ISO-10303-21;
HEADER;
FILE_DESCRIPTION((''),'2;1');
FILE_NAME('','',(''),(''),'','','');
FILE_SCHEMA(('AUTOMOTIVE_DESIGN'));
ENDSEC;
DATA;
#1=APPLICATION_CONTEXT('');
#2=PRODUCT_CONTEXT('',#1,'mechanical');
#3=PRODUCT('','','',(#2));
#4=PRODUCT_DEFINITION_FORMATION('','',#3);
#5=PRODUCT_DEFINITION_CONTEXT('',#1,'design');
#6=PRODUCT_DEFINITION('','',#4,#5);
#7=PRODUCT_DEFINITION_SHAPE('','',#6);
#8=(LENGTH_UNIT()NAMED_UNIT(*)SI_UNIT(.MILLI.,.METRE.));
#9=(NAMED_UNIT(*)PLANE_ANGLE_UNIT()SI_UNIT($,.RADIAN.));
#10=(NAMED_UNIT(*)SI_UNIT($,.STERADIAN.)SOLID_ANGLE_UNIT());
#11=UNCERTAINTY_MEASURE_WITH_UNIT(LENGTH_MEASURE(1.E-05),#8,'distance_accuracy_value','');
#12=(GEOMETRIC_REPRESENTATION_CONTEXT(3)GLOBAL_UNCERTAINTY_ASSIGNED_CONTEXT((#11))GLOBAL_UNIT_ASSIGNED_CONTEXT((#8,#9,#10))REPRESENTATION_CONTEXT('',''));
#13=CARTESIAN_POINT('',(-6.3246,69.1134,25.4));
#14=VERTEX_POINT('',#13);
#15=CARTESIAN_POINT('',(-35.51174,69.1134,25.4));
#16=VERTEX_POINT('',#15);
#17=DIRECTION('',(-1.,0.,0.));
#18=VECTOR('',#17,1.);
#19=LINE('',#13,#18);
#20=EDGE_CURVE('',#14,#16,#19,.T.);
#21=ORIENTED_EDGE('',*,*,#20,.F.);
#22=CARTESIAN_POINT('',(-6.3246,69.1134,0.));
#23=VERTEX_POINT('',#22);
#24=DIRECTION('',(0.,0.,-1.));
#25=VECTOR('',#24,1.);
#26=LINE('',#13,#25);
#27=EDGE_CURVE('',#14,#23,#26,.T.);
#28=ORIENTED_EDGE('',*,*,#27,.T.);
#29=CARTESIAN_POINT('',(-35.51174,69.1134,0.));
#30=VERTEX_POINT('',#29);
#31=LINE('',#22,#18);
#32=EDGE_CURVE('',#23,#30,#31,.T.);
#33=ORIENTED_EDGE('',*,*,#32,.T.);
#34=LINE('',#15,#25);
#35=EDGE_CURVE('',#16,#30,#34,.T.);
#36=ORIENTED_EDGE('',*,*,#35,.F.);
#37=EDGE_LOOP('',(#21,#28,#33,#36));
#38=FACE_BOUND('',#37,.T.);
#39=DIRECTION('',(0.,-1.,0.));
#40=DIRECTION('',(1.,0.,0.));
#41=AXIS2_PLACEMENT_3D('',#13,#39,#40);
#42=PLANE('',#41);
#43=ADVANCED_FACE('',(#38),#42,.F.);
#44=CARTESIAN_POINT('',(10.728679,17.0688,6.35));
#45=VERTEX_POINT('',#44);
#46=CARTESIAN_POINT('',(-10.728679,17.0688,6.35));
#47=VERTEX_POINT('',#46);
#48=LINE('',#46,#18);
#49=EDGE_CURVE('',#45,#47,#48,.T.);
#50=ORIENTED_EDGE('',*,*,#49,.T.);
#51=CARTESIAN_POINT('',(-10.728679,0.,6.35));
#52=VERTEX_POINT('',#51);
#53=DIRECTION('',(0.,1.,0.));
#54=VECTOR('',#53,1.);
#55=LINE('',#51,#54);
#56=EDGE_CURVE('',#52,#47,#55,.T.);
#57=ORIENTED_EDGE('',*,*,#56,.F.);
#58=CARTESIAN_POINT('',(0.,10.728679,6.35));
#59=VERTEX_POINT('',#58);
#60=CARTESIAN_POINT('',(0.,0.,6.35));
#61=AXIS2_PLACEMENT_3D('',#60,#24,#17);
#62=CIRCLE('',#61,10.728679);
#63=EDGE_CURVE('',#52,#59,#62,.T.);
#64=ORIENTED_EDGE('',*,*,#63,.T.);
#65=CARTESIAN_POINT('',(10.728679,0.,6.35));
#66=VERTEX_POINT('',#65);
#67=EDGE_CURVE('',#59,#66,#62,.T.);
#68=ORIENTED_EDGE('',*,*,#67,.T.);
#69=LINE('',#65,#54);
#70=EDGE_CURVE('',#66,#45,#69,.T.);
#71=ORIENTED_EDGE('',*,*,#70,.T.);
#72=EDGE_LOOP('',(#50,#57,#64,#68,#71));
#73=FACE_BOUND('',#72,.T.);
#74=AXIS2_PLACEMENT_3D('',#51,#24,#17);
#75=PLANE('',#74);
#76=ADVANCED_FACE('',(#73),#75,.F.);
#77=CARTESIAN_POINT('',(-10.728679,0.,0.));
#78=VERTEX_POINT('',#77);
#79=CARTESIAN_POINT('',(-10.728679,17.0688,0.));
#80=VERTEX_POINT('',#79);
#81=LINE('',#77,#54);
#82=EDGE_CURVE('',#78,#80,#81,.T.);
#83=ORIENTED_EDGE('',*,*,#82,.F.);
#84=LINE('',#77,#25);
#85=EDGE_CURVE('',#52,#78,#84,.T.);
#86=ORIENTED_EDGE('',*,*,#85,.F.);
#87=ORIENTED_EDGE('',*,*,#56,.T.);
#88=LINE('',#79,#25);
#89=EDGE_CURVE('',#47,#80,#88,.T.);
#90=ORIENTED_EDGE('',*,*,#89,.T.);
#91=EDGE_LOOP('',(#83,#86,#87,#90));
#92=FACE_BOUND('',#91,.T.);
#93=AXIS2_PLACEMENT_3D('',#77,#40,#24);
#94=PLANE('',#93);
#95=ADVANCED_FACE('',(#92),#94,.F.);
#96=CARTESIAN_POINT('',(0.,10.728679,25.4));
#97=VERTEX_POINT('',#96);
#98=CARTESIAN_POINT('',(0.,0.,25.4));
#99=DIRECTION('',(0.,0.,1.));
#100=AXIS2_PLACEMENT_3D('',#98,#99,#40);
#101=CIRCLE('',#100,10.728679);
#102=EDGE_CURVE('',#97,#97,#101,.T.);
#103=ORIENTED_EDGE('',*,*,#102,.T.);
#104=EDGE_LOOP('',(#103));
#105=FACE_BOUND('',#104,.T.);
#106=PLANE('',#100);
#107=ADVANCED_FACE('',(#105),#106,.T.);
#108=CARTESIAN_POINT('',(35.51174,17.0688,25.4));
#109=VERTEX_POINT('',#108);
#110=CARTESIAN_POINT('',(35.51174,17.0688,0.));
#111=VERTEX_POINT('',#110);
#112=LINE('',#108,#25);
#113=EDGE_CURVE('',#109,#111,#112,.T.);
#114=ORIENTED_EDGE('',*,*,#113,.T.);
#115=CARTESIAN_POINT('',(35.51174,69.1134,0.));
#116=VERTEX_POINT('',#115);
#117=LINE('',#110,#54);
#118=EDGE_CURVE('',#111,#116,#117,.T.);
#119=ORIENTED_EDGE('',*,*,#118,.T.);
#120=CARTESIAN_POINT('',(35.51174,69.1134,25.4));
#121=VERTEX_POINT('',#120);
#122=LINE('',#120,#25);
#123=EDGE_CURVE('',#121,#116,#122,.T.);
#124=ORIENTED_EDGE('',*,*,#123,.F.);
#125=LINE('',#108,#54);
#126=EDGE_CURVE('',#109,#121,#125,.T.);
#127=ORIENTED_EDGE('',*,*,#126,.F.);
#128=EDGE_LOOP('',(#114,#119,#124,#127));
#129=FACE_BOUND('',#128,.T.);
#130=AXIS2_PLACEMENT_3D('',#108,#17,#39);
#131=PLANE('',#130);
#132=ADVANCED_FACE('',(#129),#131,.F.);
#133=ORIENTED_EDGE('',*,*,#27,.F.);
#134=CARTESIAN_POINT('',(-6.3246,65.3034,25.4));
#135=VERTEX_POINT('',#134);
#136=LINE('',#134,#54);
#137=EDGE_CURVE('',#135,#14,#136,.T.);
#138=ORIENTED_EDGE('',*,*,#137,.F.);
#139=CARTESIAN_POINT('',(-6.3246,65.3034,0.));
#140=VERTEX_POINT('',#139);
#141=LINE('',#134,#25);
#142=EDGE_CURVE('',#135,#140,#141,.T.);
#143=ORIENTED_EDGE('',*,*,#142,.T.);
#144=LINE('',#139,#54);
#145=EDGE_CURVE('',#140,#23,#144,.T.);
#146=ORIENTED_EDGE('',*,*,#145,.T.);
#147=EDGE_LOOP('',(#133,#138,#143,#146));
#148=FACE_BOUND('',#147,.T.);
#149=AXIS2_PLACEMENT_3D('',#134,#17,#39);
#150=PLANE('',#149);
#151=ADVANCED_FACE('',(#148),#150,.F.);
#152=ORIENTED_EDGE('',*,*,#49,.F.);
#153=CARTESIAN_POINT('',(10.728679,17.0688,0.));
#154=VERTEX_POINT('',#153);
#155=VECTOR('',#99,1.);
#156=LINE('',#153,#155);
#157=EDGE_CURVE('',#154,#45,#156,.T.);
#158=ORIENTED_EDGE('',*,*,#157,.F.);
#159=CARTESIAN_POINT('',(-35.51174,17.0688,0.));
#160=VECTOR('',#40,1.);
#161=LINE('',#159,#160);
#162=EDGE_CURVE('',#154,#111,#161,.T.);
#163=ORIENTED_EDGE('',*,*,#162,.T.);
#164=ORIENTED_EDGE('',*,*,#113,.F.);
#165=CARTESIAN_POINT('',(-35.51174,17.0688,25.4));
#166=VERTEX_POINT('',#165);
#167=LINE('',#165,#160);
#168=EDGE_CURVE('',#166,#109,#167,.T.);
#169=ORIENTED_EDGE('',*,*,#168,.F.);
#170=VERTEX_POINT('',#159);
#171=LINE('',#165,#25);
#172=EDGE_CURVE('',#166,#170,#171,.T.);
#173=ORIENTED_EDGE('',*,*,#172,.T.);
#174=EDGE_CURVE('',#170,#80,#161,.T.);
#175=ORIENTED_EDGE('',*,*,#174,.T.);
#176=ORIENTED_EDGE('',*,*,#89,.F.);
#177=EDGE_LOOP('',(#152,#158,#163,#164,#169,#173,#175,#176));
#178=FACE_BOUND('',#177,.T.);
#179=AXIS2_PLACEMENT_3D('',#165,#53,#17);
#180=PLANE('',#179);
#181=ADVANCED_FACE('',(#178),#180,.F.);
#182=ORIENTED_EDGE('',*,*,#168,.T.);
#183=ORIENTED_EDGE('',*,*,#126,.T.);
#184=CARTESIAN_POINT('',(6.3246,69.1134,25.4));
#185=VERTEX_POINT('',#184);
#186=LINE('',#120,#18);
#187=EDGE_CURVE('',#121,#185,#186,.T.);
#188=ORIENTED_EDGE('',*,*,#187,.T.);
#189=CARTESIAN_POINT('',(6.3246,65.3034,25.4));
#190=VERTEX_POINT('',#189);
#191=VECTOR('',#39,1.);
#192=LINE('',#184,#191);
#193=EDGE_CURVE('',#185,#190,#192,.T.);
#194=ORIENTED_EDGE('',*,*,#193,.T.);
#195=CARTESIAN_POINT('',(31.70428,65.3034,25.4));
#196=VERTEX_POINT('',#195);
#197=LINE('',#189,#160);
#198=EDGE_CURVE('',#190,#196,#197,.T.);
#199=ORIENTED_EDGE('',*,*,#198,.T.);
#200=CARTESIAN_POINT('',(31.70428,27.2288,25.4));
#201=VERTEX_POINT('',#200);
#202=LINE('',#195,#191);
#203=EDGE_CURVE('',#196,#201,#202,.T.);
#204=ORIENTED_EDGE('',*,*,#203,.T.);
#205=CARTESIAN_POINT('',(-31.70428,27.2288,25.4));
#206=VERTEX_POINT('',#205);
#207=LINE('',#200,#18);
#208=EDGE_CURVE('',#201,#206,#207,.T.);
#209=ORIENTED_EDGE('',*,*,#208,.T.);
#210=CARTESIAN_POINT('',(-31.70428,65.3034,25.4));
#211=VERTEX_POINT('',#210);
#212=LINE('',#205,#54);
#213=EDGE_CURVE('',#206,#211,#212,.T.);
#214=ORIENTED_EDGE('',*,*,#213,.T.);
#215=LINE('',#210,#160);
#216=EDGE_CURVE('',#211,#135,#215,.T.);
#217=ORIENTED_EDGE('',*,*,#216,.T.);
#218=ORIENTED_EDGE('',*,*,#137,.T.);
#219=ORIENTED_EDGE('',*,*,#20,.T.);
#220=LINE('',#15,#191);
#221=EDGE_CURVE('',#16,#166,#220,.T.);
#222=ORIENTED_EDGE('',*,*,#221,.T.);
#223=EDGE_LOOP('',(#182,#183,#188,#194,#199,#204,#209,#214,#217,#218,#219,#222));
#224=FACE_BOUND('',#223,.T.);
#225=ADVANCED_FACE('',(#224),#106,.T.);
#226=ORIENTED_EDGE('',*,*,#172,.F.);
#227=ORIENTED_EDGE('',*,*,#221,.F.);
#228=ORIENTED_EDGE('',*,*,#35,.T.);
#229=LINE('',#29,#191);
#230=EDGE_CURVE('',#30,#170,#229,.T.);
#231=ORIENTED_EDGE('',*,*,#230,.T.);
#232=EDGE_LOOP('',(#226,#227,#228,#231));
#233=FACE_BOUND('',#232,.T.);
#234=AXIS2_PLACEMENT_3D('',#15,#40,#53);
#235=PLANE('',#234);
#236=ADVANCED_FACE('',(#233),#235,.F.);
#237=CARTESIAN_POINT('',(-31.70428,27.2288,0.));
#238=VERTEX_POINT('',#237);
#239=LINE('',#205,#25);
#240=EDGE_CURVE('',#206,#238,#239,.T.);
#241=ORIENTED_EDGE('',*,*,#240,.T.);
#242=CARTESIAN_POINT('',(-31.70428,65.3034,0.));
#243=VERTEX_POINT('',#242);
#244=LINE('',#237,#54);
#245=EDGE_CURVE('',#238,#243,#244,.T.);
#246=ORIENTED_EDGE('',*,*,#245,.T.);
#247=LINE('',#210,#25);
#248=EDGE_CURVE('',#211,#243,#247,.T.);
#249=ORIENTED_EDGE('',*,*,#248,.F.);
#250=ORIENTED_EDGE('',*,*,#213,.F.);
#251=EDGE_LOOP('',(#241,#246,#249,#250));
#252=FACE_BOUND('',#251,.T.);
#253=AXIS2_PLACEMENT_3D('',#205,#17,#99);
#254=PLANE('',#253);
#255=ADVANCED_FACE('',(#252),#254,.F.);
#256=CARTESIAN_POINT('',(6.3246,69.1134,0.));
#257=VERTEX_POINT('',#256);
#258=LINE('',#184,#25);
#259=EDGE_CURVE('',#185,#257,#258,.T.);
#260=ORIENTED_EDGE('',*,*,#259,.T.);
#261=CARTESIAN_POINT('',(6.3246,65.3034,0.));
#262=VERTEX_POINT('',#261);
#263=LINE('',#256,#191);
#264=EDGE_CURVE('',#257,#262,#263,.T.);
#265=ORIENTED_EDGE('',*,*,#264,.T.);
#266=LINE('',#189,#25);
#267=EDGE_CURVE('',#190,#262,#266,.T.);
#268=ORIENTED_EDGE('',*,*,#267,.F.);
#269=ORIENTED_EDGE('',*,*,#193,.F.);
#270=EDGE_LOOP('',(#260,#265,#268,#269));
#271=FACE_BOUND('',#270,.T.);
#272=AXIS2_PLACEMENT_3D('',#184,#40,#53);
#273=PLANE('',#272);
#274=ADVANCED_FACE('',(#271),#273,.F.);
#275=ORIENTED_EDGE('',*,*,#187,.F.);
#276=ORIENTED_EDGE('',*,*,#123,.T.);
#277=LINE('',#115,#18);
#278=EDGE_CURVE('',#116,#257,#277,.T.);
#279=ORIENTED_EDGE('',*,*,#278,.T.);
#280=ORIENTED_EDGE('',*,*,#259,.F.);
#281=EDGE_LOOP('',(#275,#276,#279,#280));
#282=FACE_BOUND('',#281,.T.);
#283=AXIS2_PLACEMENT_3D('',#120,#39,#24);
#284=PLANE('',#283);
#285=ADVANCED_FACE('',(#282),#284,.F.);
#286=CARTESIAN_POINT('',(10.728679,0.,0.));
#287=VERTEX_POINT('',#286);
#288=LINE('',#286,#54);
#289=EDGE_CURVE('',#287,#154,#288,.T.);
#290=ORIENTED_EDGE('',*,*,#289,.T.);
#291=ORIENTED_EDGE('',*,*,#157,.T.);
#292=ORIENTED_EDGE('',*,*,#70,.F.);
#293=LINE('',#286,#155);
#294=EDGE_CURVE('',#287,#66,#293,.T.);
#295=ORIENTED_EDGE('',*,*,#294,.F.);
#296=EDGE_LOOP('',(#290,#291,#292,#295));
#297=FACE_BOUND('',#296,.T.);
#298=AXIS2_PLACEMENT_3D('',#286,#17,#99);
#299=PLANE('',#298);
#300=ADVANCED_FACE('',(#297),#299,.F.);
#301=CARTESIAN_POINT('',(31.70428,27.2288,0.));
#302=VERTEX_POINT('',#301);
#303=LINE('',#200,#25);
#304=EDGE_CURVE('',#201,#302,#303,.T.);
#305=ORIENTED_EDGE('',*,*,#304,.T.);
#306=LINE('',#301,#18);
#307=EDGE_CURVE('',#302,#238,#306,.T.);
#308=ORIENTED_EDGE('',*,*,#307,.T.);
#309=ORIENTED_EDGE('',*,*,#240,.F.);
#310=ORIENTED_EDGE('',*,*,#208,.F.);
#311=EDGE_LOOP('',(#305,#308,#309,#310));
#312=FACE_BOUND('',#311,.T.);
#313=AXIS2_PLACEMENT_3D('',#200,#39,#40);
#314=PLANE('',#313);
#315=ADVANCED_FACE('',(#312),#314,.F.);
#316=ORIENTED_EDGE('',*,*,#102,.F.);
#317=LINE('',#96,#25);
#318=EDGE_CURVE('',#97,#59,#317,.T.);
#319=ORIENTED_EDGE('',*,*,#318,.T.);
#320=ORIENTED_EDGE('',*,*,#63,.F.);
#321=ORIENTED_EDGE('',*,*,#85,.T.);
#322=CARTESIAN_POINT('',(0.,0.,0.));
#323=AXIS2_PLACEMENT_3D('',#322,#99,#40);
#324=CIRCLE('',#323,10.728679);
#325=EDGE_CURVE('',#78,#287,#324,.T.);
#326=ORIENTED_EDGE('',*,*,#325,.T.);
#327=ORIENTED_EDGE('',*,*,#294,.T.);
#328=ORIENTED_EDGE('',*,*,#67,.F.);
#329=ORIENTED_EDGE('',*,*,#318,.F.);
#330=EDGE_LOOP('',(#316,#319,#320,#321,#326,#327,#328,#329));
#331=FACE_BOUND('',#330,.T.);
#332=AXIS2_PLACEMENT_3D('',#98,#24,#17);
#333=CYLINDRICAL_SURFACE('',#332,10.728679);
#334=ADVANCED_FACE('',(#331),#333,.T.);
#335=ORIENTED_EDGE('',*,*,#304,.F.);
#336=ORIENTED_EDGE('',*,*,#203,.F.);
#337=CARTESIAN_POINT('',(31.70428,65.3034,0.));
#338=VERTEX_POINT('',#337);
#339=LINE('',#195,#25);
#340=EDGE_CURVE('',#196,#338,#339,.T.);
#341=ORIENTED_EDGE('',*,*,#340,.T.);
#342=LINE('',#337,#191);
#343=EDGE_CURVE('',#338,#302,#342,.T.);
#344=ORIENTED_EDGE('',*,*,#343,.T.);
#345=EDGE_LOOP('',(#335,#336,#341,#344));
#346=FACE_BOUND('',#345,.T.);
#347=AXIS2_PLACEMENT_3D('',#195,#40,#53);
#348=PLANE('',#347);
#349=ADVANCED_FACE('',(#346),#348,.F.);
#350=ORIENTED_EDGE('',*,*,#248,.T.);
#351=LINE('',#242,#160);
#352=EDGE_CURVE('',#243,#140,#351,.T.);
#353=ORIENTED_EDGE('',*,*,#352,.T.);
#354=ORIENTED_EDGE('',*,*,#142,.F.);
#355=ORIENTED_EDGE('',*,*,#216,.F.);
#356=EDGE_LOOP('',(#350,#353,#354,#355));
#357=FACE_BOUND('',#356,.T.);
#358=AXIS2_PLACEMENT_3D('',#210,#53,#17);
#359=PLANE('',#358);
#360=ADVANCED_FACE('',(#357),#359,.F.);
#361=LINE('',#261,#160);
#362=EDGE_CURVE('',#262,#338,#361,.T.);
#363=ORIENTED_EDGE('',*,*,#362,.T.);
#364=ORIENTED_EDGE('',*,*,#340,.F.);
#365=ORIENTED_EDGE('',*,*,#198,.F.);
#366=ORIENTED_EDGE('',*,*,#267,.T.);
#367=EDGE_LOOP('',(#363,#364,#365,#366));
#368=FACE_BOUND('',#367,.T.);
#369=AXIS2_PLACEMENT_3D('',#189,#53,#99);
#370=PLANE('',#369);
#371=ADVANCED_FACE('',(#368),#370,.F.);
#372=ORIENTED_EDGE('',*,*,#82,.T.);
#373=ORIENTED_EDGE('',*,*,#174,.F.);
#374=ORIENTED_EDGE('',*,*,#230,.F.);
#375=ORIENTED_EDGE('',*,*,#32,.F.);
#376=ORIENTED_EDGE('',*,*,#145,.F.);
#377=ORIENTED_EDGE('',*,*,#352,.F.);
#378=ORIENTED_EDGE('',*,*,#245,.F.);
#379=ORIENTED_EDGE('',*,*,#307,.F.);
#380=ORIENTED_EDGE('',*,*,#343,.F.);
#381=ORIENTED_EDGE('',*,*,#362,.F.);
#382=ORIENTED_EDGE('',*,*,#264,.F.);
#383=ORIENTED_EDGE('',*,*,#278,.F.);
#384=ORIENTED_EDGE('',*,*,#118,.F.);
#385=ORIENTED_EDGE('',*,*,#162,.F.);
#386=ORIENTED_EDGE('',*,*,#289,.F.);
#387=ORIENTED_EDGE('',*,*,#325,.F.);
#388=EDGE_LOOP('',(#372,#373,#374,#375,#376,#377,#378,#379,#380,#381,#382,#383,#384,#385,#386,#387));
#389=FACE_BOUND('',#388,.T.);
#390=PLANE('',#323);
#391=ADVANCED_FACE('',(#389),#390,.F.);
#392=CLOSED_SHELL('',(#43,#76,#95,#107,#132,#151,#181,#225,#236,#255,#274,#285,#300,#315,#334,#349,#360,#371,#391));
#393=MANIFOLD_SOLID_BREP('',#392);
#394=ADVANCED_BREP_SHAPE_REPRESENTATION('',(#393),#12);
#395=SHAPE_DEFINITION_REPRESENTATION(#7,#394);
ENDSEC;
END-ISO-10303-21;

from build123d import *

# Parameters (mm, degrees)
SKETCH1_R             = 10.728678925
BOSS_EXTRUDE1_DEPTH   = 25.4
BOSS_EXTRUDE1_2_DEPTH = 25.4
SKETCH2_W             = 21.45735785
SKETCH2_H             = 6.35
BOSS_EXTRUDE2_DEPTH   = 17.0688


with BuildPart() as part:
    # Sketch1 → Boss-Extrude1 (new body)
    with BuildSketch(Plane.XY):
        Circle(SKETCH1_R)
    extrude(amount=BOSS_EXTRUDE1_DEPTH)



with BuildPart() as body_2:
    # Sketch1 → Boss-Extrude1 2 (new body)
    with BuildSketch(Plane.XY):
        Polygon((-35.51174, 17.0688), (35.51174, 17.0688), (35.51174, 69.1134), (6.3246, 69.1134), (6.3246, 65.3034), (31.70428, 65.3034), (31.70428, 27.2288), (-31.70428, 27.2288), (-31.70428, 65.3034), (-6.3246, 65.3034), (-6.3246, 69.1134), (-35.51174, 69.1134), align=None)
    extrude(amount=BOSS_EXTRUDE1_2_DEPTH)


with BuildPart() as part_1:
    add(part.part)

    add(body_2.part)  # Boss-Extrude2 merges body 2
    # Sketch2 → Boss-Extrude2 (add)
    with BuildSketch(Plane.XZ.offset(-17.0688)):
        with Locations((0, 3.175)):
            Rectangle(SKETCH2_W, SKETCH2_H)
    extrude(amount=BOSS_EXTRUDE2_DEPTH)


solid = part_1.part
